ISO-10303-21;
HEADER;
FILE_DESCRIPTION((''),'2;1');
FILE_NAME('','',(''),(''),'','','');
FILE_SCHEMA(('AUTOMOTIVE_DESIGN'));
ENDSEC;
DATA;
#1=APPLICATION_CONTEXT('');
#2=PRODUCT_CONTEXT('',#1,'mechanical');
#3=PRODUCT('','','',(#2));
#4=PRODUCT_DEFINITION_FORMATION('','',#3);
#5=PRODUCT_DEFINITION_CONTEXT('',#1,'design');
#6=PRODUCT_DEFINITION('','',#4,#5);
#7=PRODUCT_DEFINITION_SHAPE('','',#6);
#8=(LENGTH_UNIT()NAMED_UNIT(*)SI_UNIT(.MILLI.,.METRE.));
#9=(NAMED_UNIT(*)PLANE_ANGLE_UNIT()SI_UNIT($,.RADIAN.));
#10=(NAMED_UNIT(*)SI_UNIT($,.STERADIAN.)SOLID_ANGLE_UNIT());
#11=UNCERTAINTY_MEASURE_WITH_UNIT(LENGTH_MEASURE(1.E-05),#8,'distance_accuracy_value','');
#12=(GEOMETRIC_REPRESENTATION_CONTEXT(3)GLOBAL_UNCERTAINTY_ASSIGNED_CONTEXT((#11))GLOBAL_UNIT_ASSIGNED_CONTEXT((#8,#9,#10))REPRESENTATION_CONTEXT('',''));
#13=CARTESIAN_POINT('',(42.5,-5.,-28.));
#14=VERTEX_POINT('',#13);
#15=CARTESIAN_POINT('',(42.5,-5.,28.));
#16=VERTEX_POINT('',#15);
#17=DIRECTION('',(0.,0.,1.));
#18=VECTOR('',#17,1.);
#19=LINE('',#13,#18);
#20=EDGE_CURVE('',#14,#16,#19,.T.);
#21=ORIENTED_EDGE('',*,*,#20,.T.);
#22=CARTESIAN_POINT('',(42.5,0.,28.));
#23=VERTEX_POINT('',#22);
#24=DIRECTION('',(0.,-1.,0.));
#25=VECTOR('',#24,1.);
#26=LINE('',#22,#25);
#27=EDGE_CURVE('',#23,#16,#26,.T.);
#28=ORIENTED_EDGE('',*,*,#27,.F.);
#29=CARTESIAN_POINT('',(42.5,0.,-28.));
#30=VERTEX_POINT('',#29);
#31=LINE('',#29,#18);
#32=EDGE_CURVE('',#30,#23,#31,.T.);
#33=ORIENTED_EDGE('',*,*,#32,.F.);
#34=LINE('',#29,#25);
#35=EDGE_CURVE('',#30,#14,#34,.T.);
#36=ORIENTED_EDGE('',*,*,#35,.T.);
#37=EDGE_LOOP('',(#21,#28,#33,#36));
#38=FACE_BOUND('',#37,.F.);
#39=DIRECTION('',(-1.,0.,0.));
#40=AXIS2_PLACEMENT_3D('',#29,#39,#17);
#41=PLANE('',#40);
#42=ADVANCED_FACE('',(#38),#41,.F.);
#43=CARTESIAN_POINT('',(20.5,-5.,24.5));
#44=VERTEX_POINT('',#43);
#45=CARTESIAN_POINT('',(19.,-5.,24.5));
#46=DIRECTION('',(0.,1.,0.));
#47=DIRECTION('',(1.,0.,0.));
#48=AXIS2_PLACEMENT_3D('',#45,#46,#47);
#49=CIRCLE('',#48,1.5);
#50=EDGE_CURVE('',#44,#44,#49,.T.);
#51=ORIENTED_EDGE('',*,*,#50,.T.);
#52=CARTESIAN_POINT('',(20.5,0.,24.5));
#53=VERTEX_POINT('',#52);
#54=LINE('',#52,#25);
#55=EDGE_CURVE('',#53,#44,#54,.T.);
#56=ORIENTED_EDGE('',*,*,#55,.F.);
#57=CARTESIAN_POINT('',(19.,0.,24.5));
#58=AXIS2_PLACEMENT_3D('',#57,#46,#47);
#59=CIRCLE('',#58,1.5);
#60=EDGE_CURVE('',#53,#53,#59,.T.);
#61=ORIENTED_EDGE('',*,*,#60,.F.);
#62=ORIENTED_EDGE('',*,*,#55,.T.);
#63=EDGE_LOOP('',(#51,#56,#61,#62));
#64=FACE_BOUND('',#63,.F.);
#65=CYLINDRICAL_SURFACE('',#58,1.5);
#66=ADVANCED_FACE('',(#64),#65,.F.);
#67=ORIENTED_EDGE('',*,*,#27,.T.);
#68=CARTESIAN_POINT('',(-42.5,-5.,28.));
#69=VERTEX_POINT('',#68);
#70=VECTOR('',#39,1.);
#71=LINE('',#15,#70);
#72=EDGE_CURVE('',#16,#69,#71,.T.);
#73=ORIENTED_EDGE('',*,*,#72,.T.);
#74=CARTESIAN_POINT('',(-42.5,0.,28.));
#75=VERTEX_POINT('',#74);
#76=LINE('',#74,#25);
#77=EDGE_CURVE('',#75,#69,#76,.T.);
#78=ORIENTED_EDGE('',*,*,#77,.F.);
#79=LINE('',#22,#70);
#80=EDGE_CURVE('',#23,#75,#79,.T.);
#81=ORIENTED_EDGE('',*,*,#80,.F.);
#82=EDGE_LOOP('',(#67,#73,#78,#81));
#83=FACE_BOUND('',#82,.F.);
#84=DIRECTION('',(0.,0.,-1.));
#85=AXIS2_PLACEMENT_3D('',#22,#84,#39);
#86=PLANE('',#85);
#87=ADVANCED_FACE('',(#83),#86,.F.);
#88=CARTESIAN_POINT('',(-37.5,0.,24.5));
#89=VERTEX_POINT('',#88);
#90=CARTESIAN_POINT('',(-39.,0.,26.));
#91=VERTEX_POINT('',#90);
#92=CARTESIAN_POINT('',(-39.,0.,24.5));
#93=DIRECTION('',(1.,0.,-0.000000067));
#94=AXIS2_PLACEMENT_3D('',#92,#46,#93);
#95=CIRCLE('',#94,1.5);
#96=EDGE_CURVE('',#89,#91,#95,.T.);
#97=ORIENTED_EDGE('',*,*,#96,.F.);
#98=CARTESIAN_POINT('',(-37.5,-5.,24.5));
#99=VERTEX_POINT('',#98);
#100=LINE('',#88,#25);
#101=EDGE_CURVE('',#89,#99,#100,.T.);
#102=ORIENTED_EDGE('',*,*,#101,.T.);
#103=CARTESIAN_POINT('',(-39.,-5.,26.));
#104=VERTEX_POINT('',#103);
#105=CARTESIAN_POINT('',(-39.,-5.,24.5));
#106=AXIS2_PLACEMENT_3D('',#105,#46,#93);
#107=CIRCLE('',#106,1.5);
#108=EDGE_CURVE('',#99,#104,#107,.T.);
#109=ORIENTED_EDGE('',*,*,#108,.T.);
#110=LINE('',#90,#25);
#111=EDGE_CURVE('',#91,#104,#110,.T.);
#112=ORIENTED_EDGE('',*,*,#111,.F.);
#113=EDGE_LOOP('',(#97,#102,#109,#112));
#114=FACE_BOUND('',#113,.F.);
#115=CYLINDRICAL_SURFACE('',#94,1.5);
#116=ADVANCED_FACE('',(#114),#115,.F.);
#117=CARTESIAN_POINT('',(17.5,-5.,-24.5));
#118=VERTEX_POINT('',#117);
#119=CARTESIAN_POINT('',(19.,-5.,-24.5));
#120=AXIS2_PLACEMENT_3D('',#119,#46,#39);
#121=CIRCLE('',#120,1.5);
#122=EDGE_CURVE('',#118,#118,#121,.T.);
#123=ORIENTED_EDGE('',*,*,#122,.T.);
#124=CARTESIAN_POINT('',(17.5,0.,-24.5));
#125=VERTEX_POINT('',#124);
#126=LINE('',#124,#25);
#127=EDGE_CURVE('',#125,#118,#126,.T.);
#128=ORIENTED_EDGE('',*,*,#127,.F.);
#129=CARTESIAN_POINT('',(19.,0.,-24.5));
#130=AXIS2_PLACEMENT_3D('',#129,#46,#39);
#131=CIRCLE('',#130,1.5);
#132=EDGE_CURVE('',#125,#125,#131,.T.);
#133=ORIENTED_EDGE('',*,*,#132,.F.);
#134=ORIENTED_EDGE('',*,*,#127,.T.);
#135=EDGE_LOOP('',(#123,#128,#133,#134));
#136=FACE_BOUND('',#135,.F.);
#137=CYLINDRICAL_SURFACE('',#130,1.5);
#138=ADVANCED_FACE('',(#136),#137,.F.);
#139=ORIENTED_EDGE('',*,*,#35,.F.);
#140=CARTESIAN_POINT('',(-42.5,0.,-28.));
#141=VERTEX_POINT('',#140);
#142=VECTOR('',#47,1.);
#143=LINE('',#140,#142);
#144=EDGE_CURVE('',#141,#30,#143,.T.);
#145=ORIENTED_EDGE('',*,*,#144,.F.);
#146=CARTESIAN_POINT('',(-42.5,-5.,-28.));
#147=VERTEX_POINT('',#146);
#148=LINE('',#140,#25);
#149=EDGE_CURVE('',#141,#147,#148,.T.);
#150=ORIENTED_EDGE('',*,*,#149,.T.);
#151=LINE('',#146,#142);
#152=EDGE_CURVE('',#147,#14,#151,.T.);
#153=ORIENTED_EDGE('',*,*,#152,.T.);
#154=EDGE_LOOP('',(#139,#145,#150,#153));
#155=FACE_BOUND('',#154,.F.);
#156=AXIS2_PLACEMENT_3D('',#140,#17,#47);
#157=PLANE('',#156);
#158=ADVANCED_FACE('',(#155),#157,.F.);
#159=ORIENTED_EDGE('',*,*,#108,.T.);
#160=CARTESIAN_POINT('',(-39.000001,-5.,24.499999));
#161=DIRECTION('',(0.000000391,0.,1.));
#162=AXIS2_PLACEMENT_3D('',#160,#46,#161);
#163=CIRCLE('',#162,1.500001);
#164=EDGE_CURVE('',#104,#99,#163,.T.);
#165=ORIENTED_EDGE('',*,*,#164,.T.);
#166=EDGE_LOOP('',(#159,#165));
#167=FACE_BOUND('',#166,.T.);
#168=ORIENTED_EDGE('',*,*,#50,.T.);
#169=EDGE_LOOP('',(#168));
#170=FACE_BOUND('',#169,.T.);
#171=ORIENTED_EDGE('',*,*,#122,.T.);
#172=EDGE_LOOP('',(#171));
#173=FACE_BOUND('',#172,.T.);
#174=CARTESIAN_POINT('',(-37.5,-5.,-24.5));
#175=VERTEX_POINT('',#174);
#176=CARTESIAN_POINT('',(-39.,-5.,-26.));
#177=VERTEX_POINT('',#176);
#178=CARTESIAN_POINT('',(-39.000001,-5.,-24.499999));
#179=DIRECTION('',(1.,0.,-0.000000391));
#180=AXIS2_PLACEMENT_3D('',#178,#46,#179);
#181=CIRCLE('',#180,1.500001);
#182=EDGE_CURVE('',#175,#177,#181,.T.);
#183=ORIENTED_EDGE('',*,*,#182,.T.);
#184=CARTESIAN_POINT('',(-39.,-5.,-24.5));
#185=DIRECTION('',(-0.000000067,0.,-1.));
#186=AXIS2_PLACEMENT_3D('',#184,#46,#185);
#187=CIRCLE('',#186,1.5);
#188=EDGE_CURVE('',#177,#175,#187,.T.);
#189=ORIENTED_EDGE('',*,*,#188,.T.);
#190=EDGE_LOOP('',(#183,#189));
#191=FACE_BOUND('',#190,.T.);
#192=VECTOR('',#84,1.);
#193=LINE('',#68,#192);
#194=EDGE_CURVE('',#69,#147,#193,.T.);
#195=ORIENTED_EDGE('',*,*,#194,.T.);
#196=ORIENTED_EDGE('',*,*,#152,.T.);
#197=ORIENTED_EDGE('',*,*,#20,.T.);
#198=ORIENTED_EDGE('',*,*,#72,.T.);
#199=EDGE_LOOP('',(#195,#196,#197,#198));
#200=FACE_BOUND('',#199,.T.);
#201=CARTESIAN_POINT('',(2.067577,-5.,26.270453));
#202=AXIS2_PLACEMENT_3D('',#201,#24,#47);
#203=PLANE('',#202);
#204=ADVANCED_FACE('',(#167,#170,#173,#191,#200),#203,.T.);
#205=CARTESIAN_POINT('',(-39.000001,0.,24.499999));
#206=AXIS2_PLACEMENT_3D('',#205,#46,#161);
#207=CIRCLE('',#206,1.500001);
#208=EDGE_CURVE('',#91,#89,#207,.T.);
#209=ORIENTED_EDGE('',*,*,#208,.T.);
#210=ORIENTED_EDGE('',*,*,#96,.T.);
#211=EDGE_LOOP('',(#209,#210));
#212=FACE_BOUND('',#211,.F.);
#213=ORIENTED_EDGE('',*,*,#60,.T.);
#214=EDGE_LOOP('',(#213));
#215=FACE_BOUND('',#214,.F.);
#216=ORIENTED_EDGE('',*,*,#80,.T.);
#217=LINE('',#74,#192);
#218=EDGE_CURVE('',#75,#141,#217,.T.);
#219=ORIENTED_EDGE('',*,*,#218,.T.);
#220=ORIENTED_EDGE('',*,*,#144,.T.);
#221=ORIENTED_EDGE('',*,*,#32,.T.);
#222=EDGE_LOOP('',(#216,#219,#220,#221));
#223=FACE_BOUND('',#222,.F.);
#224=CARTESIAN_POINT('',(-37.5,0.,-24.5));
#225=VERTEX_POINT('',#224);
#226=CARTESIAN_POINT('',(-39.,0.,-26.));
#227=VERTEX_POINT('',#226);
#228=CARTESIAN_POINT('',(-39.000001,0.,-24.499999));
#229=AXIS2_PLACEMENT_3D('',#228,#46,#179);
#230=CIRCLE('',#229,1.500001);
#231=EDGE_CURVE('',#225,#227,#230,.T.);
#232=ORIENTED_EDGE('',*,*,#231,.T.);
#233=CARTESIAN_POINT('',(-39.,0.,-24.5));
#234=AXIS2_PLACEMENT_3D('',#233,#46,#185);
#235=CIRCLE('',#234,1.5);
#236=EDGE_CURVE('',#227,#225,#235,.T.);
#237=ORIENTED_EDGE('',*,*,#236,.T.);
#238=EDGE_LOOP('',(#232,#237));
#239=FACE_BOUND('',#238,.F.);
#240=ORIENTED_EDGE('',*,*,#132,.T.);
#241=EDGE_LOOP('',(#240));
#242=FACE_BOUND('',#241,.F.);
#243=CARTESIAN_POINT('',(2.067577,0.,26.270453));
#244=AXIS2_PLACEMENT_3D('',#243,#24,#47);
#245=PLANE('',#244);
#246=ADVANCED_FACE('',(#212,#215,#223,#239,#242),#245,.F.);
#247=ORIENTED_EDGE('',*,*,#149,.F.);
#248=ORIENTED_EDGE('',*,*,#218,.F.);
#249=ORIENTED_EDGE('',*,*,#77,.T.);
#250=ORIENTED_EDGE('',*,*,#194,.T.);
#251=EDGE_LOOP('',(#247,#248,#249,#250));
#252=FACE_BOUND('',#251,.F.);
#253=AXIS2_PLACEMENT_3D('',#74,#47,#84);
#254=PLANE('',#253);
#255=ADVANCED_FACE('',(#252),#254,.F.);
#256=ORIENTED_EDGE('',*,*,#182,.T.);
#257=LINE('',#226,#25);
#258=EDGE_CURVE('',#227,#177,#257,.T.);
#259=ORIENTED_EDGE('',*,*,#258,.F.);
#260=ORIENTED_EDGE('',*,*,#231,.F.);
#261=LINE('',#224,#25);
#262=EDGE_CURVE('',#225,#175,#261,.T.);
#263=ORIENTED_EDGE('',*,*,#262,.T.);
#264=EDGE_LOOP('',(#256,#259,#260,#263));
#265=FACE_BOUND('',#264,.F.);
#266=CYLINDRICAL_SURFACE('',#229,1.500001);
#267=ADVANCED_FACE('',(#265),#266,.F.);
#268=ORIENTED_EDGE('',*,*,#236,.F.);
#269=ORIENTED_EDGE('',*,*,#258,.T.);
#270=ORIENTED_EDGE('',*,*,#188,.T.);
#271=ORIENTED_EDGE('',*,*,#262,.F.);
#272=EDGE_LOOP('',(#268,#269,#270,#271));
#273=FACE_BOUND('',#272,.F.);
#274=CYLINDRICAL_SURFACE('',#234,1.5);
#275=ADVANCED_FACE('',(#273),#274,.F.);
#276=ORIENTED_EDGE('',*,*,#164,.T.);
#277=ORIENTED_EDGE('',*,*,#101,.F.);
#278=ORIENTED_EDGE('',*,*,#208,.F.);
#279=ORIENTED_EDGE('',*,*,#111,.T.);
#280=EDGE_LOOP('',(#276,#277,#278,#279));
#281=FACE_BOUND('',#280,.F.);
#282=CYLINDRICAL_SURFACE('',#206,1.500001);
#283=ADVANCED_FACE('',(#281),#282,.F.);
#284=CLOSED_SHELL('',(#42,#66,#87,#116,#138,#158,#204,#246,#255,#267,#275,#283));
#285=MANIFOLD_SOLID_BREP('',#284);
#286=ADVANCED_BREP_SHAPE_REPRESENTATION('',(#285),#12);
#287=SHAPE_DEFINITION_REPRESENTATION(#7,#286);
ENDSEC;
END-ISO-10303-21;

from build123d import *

# Parameters (mm, degrees)
F1_DEPTH = 5


with BuildPart() as f1:
    # F0 (on Front) → F1 (new body)
    with BuildSketch(Plane.XZ):
        with BuildLine():
            Line((42.5, 24.5), (42.5, 28))
            Line((42.5, 28), (-39, 28))
            Line((-39, 28), (-39, 26))
            ThreePointArc((-39, 26), (-37.93934, 25.56066), (-37.5, 24.5))
            Line((-37.5, 24.5), (17.5, 24.5))
            ThreePointArc((17.5, 24.5), (19, 26), (20.5, 24.5))
            Line((20.5, 24.5), (42.5, 24.5))
        make_face()
        with BuildLine():
            ThreePointArc((20.5, -24.5), (19, -23), (17.5, -24.5))
            ThreePointArc((17.5, -24.5), (19, -26), (20.5, -24.5))
        make_face()
        with BuildLine():
            Line((-39, 26), (-39, 28))
            Line((-39, 28), (-42.5, 28))
            Line((-42.5, 28), (-42.5, -28))
            Line((-42.5, -28), (-39, -28))
            Line((-39, -28), (42.5, -28))
            Line((42.5, -28), (42.5, 24.5))
            Line((42.5, 24.5), (20.5, 24.5))
            ThreePointArc((20.5, 24.5), (19, 23), (17.5, 24.5))
            Line((17.5, 24.5), (-37.5, 24.5))
            ThreePointArc((-37.5, 24.5), (-40.06066, 23.43934), (-39, 26))
        make_face()
        with BuildLine():
            ThreePointArc((-37.5, -24.5), (-37.93934, -25.56066), (-39, -26))
            ThreePointArc((-39, -26), (-40.06066, -23.43934), (-37.5, -24.5))
        make_face(mode=Mode.SUBTRACT)
        with BuildLine():
            ThreePointArc((20.5, -24.5), (19, -26), (17.5, -24.5))
            ThreePointArc((17.5, -24.5), (19, -23), (20.5, -24.5))
        make_face(mode=Mode.SUBTRACT)
    extrude(amount=F1_DEPTH)


solid = f1.part
